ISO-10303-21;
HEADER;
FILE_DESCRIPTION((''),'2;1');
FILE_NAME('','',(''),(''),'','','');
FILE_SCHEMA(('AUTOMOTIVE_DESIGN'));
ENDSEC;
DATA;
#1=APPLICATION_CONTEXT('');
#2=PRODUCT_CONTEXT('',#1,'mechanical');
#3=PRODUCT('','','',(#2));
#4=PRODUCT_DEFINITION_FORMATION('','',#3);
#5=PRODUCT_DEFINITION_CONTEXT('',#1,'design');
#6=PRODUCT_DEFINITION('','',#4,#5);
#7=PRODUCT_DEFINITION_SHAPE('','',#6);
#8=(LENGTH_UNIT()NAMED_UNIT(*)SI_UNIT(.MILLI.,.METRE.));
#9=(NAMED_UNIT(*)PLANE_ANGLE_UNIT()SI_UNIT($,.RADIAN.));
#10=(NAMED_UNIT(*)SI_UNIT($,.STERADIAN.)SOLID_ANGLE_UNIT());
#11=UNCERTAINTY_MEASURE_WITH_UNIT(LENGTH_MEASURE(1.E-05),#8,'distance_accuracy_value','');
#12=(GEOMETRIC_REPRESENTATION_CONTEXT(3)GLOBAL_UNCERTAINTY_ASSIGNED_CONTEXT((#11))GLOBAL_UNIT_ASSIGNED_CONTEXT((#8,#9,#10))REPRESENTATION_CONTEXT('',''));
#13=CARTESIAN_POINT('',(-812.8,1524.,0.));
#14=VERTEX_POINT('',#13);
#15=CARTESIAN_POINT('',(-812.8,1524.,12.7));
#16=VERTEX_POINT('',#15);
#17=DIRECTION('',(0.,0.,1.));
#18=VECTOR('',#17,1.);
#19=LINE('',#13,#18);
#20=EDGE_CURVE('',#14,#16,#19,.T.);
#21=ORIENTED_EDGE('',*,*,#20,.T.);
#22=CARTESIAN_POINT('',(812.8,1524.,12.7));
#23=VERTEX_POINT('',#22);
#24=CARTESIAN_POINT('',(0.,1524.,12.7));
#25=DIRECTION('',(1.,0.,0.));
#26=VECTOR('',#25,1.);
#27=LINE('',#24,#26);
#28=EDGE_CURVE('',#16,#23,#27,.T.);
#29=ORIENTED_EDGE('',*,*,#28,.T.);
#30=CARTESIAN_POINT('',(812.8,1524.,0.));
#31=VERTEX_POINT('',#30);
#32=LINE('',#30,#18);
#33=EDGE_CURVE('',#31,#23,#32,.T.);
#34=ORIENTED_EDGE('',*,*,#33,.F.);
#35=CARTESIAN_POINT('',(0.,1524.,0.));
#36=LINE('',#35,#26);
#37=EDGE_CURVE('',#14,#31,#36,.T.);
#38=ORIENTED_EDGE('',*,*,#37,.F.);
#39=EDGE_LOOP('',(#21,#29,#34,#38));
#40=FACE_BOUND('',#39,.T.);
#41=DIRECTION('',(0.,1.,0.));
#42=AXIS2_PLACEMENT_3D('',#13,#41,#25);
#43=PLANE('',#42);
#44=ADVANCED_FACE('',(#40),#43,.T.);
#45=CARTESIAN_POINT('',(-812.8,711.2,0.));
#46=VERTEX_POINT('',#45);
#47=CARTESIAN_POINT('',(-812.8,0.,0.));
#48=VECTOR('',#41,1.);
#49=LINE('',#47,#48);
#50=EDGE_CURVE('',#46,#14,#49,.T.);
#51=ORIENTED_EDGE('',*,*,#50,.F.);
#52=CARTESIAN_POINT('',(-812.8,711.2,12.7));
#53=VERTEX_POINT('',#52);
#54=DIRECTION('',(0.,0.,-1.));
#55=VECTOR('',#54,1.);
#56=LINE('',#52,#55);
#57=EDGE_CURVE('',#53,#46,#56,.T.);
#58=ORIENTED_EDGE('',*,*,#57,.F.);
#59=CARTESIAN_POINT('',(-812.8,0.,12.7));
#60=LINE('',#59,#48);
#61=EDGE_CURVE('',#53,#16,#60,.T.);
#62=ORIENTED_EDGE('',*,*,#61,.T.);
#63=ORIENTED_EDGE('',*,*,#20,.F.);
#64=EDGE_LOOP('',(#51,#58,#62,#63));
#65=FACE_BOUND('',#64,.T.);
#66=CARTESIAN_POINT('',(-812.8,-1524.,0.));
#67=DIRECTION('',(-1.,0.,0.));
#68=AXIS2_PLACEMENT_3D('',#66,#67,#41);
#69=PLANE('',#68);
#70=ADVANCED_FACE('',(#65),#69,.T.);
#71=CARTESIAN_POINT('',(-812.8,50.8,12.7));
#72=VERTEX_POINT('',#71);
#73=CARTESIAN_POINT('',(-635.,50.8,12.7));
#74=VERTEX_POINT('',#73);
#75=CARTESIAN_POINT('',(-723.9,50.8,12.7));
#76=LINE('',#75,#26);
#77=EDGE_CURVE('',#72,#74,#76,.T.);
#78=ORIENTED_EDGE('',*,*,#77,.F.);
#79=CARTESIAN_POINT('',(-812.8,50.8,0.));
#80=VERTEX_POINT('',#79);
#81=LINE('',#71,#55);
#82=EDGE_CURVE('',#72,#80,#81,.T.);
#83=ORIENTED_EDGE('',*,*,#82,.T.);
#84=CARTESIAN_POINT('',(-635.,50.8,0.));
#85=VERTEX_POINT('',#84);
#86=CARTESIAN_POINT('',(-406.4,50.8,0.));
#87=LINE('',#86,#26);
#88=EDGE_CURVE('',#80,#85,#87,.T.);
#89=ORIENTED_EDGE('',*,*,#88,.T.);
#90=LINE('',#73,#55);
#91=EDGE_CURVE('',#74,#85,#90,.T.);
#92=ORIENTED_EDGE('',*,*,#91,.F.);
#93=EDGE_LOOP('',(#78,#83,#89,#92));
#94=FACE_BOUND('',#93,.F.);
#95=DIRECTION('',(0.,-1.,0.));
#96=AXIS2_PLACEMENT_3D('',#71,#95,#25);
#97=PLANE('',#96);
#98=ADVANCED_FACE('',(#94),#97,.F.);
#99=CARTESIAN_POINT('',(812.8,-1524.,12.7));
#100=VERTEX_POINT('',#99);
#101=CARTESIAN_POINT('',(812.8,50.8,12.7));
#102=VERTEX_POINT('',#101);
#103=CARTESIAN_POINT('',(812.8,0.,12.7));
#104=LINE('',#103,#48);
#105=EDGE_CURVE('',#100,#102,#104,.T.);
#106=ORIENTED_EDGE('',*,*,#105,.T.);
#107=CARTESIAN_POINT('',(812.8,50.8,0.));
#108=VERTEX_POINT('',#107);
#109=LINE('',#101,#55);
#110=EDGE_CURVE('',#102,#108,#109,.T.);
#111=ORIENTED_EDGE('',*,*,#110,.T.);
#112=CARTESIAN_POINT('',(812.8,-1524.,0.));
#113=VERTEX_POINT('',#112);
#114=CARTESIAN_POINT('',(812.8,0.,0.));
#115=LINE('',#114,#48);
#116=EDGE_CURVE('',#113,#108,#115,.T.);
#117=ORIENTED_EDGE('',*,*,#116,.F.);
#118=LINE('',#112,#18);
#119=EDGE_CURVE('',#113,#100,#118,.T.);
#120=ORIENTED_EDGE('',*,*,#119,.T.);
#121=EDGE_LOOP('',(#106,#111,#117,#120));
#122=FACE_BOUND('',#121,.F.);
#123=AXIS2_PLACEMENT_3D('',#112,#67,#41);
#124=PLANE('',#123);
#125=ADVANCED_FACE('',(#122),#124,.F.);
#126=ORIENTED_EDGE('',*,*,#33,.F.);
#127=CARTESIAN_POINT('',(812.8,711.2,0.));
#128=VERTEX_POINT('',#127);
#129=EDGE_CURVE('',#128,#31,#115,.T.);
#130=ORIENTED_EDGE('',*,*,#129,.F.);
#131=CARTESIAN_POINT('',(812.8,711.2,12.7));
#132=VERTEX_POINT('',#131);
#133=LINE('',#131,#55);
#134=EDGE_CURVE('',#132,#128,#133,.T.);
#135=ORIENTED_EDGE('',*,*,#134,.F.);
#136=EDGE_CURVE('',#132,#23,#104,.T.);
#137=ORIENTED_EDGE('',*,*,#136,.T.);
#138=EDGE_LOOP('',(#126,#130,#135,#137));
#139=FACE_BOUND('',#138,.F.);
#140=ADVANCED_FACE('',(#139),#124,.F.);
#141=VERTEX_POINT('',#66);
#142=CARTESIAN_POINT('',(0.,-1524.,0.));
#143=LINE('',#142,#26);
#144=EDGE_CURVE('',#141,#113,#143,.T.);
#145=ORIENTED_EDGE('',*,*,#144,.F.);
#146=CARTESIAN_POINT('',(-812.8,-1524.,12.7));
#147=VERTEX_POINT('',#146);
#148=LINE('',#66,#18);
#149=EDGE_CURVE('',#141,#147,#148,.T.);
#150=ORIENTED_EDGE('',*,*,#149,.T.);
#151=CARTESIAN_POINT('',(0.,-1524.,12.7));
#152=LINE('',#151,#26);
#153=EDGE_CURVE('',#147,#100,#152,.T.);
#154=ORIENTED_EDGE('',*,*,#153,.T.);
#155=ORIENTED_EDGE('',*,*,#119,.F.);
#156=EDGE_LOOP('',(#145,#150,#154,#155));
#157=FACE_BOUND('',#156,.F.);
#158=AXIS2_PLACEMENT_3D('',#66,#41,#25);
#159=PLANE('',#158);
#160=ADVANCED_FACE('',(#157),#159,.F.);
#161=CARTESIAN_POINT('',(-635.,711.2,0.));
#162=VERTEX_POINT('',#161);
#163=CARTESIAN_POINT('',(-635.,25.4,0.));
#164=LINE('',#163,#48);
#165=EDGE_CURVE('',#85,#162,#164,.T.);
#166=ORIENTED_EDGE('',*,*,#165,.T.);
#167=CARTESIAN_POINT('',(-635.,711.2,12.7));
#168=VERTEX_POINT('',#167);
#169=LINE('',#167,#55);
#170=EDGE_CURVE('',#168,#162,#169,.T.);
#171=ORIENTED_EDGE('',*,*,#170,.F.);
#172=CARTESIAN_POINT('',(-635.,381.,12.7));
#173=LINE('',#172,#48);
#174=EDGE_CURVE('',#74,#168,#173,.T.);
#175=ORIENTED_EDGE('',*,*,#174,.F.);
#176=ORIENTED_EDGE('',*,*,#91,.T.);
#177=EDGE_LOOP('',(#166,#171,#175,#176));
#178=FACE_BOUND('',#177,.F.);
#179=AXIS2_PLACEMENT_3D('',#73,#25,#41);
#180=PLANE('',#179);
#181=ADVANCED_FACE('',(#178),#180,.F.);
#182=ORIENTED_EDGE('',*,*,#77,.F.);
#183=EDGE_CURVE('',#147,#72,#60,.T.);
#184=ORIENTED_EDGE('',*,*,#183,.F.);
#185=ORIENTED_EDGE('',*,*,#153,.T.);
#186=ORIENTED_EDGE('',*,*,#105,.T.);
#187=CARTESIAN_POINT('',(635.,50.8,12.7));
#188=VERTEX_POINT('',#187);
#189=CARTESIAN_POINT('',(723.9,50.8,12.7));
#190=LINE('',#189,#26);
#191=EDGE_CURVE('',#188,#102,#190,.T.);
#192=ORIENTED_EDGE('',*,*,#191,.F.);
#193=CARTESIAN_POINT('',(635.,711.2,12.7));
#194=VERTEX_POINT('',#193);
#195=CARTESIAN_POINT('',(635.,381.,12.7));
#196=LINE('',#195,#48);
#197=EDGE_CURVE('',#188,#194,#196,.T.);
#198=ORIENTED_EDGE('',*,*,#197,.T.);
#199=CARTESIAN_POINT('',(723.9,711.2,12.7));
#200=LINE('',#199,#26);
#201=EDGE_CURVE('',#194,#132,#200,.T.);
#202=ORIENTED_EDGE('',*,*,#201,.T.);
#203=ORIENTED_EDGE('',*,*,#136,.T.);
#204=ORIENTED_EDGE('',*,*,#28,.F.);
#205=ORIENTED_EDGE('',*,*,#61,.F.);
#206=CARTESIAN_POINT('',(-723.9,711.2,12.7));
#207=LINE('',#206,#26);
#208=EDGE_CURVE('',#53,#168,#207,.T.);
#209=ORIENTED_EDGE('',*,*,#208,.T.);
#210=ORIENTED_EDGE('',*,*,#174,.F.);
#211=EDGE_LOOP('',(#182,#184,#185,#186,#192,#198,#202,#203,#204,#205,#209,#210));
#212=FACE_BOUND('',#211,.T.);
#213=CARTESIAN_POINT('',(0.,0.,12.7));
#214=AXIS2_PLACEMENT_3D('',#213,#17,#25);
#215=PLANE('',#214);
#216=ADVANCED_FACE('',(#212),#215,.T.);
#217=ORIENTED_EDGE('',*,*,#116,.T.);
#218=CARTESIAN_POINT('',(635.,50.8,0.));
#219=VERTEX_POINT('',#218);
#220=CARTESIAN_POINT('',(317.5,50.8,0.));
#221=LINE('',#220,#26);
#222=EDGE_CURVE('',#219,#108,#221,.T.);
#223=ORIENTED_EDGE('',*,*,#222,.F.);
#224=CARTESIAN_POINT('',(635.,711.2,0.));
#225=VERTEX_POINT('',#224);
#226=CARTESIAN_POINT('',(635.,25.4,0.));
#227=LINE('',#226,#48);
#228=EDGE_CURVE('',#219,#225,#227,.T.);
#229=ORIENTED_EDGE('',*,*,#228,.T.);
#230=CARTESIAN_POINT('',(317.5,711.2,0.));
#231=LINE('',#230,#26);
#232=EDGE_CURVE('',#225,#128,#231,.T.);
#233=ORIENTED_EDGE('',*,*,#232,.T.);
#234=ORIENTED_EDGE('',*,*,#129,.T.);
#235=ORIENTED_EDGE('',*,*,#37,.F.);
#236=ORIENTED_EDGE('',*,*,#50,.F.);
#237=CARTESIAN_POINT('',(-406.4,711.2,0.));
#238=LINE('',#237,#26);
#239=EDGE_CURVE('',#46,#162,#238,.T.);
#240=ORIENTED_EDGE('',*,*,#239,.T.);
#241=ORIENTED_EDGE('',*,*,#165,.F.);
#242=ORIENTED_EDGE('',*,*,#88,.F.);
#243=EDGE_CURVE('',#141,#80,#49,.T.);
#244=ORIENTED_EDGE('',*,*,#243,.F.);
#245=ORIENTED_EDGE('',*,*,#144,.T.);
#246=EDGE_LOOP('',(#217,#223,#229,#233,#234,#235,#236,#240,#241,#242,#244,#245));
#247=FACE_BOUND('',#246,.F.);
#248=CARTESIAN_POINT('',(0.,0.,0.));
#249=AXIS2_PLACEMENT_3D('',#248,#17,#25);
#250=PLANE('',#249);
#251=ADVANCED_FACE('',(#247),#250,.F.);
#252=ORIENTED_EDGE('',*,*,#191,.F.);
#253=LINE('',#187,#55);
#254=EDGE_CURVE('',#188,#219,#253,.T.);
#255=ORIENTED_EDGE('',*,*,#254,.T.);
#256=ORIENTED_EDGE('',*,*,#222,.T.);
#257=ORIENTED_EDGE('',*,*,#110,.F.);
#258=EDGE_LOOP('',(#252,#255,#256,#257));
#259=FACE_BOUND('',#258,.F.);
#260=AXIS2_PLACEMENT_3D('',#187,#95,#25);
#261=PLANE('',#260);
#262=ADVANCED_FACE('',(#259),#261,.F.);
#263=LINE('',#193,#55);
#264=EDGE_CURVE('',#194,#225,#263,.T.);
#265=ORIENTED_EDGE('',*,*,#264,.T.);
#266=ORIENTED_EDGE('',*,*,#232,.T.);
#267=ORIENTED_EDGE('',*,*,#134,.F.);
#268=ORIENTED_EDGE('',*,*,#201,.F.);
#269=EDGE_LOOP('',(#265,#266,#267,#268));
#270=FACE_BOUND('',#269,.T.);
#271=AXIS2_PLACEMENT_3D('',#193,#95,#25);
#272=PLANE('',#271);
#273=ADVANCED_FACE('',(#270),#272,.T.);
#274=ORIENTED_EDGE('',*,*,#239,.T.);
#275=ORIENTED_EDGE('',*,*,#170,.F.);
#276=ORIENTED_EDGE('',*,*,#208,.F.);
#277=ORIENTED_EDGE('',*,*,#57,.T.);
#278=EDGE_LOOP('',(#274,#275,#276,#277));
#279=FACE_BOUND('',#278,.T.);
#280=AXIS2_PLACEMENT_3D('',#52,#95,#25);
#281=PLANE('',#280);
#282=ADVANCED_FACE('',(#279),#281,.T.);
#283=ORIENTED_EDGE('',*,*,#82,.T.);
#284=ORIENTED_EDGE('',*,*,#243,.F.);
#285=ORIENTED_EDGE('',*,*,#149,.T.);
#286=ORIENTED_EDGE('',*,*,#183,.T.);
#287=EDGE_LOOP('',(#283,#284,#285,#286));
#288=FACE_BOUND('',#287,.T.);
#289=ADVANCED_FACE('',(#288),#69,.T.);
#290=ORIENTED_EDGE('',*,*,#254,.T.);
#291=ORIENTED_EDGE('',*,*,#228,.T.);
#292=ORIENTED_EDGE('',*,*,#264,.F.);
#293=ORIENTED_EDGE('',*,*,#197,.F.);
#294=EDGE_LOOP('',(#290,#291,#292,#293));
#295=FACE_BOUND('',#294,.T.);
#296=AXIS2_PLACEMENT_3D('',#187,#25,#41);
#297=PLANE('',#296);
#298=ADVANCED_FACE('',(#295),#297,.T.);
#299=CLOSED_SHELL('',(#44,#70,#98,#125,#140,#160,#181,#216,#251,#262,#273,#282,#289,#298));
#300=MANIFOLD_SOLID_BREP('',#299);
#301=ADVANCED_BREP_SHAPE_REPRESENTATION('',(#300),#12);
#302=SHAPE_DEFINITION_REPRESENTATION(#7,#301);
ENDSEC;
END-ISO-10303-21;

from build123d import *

# Parameters (mm, degrees)
F0_W     = 1625.6
F0_H     = 3048
F1_DEPTH = 12.7
F2_W     = 177.8
F2_H     = 660.4
F3_DEPTH = 12.701


with BuildPart() as f1:
    # F0 (on Top) → F1 (new body)
    with BuildSketch(Plane.XY):
        Rectangle(F0_W, F0_H)
    extrude(amount=F1_DEPTH)

    # F2 (on face) → F3 (cut, through all)
    with BuildSketch(Plane.XY.offset(12.7)):
        with Locations((-723.9, 381)):
            Rectangle(F2_W, F2_H)
        with Locations((723.9, 381)):
            Rectangle(F2_W, F2_H)
    extrude(amount=-F3_DEPTH, mode=Mode.SUBTRACT)


solid = f1.part
